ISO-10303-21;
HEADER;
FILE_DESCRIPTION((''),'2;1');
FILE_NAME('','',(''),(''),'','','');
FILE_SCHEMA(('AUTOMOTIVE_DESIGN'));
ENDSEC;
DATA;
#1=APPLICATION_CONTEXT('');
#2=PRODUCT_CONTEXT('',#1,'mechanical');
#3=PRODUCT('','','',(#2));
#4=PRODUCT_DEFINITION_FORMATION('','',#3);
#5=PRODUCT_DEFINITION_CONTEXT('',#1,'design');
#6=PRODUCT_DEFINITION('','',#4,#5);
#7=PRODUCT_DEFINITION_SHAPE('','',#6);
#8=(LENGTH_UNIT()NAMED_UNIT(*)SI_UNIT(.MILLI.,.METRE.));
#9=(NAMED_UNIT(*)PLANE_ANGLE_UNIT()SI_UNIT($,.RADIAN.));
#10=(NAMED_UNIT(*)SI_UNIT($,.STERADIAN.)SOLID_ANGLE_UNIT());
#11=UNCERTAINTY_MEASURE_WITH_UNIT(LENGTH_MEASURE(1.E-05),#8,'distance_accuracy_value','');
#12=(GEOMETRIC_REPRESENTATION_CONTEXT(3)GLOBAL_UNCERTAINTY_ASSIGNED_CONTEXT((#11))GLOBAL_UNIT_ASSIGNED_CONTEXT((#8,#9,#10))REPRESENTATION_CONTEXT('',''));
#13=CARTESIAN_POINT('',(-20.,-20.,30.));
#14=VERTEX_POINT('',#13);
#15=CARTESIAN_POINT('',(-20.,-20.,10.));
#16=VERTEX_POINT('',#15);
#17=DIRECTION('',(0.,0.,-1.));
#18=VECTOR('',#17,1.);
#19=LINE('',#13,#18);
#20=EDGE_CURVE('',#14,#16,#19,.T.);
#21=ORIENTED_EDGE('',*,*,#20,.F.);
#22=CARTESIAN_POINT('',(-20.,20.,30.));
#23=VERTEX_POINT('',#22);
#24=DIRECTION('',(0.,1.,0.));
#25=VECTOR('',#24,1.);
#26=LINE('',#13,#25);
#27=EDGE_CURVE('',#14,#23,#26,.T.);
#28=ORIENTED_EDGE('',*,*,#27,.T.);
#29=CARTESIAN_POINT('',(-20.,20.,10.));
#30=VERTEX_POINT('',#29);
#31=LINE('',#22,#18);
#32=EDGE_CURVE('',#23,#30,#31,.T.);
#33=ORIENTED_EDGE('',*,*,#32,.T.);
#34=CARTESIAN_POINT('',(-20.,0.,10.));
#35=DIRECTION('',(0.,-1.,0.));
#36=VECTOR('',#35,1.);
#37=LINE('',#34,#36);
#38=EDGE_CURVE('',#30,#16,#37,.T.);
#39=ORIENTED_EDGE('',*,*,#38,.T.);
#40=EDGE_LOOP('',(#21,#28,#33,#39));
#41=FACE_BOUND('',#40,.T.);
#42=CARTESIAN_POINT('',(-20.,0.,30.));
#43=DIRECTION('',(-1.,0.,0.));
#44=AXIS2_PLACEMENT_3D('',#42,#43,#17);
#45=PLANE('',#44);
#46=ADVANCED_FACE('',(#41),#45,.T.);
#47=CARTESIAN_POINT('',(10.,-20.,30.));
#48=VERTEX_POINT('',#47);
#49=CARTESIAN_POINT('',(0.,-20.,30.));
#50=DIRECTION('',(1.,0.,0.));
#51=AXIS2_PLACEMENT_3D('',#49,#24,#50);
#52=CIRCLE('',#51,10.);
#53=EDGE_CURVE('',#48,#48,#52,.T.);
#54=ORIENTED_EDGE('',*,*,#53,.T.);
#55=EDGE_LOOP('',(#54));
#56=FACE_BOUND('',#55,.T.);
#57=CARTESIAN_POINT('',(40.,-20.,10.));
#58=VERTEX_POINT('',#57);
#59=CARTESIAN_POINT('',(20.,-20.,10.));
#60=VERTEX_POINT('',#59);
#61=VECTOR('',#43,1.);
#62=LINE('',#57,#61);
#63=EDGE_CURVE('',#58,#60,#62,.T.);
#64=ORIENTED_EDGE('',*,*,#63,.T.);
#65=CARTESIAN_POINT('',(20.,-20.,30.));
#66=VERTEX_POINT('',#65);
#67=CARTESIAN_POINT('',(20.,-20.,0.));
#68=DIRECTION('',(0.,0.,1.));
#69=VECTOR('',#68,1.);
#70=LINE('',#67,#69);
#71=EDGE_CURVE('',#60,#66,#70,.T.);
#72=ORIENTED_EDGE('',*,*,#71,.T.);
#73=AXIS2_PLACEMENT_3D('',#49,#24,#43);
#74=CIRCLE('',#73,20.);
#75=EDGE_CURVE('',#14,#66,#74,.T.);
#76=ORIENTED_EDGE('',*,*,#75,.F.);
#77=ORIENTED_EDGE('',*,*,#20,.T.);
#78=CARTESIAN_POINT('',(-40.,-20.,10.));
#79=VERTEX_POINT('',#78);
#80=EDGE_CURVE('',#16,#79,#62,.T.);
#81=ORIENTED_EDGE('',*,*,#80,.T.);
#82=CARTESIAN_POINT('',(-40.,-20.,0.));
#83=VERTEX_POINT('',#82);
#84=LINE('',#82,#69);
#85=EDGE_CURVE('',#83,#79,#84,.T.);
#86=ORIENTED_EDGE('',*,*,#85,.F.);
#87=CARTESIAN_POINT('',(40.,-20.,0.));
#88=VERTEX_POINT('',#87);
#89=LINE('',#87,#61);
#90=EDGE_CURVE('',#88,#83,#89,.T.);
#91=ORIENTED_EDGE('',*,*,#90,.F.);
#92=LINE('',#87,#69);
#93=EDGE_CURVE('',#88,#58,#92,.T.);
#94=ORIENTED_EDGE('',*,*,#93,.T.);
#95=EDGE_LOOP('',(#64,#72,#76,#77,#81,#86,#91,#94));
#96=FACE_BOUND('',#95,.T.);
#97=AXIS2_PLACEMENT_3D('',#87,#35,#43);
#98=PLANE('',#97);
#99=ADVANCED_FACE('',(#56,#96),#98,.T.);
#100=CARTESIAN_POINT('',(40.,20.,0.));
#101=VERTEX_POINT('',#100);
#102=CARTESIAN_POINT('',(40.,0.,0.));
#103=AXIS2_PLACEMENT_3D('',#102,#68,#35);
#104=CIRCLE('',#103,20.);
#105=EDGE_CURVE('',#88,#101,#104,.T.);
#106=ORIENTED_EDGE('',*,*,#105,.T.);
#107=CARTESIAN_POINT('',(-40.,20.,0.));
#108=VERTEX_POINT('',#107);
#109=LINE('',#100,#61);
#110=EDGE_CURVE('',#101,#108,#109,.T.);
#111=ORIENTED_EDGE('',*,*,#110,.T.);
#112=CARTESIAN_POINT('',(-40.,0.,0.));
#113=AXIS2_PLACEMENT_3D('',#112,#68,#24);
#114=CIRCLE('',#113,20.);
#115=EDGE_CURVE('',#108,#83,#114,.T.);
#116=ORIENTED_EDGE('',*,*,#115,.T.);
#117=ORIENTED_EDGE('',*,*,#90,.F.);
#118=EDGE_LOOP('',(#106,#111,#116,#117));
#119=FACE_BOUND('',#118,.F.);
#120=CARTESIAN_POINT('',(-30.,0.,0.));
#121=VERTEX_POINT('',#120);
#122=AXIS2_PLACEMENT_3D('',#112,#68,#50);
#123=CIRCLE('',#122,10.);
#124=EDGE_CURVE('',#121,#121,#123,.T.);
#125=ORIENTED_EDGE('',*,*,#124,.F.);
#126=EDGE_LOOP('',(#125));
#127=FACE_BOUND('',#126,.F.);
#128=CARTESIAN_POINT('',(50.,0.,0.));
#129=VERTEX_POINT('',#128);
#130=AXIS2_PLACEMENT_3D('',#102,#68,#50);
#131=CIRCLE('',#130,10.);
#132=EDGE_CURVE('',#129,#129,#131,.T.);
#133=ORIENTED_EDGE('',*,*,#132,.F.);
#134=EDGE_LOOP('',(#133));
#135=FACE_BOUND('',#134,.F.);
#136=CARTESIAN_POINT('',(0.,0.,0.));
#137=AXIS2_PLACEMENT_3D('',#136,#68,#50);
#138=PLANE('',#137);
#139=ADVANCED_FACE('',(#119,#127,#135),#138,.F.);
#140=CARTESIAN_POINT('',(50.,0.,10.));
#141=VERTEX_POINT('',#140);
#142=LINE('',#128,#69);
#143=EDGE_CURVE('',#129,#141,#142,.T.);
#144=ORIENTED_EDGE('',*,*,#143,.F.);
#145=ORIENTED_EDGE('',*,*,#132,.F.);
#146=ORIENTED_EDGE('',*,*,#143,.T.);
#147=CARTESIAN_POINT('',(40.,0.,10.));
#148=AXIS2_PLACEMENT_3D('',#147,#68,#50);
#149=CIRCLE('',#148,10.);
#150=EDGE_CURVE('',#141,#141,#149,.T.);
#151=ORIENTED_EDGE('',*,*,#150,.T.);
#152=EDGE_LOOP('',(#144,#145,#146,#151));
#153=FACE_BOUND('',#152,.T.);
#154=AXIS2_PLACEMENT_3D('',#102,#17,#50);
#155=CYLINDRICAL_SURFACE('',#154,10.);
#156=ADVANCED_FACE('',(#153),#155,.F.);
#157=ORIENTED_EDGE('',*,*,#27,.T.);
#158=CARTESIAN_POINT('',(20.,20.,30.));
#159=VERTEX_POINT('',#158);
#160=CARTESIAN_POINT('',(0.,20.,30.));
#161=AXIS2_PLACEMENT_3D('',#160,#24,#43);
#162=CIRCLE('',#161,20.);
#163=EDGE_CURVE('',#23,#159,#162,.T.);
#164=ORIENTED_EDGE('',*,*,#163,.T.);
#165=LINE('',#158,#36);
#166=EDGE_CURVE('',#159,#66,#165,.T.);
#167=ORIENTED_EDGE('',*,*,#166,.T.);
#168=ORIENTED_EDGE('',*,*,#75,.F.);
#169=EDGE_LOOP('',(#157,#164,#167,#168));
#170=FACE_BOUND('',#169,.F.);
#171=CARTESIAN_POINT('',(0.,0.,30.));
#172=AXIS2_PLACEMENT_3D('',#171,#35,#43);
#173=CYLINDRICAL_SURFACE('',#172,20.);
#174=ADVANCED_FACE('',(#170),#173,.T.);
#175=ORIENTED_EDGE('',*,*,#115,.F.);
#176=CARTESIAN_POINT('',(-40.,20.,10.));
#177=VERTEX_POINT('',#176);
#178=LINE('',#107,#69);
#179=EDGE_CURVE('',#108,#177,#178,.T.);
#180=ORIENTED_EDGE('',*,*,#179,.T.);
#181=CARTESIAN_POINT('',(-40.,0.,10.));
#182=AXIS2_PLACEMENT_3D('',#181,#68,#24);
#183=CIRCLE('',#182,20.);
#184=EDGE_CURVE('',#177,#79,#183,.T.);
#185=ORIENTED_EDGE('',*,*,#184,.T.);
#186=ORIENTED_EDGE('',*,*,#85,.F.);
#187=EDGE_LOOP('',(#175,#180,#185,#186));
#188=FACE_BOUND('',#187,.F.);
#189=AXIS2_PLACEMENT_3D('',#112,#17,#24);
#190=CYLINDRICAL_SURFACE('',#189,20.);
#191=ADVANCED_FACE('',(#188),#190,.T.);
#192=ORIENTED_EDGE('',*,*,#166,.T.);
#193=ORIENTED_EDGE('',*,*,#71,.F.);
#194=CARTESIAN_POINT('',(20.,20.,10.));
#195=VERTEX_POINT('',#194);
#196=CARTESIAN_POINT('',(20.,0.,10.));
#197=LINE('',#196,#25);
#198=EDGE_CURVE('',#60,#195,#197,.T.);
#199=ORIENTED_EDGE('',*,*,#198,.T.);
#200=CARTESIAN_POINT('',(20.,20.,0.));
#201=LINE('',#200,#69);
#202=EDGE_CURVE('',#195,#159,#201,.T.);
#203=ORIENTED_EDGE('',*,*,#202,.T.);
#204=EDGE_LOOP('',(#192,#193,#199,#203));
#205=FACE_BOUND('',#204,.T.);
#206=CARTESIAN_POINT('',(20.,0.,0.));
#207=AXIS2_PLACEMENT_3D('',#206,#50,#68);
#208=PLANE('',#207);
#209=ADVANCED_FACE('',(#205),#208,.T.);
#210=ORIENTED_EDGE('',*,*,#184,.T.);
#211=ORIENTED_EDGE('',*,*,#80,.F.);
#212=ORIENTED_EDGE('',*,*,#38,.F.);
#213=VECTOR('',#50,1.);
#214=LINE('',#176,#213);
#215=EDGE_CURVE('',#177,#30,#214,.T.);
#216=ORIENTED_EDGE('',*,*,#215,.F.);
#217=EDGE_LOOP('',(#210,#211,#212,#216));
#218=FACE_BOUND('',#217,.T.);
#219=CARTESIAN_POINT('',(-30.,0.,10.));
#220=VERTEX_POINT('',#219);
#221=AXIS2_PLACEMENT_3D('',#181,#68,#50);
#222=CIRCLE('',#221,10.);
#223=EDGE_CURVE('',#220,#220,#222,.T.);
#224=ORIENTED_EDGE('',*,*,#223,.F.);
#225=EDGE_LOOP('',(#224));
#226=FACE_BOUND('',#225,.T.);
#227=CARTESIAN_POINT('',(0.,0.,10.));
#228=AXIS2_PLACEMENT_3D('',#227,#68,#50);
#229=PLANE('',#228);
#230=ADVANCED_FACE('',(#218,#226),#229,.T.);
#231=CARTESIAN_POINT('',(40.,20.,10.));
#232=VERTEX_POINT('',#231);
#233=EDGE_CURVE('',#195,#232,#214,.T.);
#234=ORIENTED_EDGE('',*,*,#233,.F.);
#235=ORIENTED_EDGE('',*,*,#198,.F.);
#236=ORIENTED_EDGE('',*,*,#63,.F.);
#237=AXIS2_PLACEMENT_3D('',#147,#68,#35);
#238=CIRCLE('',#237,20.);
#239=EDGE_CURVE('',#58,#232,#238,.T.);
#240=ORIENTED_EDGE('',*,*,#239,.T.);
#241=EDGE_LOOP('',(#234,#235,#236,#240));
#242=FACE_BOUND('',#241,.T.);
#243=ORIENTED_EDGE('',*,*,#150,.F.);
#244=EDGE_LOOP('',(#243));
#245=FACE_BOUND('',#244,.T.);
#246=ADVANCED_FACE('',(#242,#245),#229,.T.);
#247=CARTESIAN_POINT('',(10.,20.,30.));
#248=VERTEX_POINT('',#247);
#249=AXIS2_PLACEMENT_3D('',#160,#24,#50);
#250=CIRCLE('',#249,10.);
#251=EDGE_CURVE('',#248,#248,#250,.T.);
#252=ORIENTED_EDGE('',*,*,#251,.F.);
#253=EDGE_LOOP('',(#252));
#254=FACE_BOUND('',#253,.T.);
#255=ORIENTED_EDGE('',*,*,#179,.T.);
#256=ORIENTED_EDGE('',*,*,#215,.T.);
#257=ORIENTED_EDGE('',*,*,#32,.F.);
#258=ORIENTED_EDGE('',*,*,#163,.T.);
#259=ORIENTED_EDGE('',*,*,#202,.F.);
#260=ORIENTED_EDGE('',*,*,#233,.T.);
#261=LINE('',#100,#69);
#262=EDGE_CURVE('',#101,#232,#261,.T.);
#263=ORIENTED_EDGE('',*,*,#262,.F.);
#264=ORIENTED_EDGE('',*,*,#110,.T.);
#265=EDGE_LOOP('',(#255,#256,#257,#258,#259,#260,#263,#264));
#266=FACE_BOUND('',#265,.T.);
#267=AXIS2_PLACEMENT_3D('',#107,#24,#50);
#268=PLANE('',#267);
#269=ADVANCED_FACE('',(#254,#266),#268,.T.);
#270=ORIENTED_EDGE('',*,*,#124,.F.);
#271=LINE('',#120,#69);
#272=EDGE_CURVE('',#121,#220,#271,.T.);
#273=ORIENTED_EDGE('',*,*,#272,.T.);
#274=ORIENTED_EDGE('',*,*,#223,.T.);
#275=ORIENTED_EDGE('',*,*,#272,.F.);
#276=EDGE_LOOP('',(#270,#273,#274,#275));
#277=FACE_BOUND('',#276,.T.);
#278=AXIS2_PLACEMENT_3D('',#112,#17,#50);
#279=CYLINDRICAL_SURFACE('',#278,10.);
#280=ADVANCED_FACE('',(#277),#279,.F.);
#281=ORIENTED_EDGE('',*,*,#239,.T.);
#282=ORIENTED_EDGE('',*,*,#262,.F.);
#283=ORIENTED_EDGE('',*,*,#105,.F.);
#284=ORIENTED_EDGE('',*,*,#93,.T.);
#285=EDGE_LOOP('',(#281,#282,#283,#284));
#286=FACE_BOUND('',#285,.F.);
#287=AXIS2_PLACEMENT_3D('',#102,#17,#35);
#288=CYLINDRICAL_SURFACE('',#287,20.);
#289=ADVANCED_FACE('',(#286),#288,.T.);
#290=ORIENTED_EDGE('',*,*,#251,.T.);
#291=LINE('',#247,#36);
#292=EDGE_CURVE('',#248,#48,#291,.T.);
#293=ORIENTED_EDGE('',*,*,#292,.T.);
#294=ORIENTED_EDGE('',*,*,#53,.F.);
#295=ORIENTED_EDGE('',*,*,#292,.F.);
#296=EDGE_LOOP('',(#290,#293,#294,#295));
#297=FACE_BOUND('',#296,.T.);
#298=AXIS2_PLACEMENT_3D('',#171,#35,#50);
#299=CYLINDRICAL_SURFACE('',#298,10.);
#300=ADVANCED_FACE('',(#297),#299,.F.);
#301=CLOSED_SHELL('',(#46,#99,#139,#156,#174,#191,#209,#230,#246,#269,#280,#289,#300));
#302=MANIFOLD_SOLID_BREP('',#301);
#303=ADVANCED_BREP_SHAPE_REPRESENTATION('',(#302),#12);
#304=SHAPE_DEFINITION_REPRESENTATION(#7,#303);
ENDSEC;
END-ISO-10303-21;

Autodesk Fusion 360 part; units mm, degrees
sketch "Sketch1" plane through (0, 0, 0) normal (0, 0, 1) x (1, 0, 0)
  line L0 (-40, 20) -> (40, 20)
  line L1 (40, -20) -> (-40, -20)
  circle A0 centre (40, 0) radius 10
  circle A1 centre (-40, 0) radius 10
  arc A2 (-40, 20) -> (-40, -20) centre (-40, 0) ccw
  arc A3 (40, -20) -> (40, 20) centre (40, 0) ccw
  dimension "d1" = 80
  dimension "d2" = 40
  dimension "d5" = 40
  dimension "d6" = 40
extrude "Extrude1" add sketch "Sketch1" along normal blind 10
sketch "Sketch2" plane through (0, 0, 0) normal (0, 1, 0) x (1, 0, 0)
  line L0 (-20, 0) -> (20, 0)
  line L1 (20, 0) -> (20, -30)
  line L2 (-20, -30) -> (-20, 0)
  line L3 (-40, 0) -> (-40, -10)
  circle A0 centre (0, -30) radius 10
  arc A1 (-20, -30) -> (20, -30) centre (0, -30) ccw
  dimension "d11" = 30
  dimension "d12" = 40
  dimension "d13" = 20
  dimension "d14" = 40
  dimension "d15" = 20
extrude "Extrude2" add sketch "Sketch2" along normal mid plane 40
